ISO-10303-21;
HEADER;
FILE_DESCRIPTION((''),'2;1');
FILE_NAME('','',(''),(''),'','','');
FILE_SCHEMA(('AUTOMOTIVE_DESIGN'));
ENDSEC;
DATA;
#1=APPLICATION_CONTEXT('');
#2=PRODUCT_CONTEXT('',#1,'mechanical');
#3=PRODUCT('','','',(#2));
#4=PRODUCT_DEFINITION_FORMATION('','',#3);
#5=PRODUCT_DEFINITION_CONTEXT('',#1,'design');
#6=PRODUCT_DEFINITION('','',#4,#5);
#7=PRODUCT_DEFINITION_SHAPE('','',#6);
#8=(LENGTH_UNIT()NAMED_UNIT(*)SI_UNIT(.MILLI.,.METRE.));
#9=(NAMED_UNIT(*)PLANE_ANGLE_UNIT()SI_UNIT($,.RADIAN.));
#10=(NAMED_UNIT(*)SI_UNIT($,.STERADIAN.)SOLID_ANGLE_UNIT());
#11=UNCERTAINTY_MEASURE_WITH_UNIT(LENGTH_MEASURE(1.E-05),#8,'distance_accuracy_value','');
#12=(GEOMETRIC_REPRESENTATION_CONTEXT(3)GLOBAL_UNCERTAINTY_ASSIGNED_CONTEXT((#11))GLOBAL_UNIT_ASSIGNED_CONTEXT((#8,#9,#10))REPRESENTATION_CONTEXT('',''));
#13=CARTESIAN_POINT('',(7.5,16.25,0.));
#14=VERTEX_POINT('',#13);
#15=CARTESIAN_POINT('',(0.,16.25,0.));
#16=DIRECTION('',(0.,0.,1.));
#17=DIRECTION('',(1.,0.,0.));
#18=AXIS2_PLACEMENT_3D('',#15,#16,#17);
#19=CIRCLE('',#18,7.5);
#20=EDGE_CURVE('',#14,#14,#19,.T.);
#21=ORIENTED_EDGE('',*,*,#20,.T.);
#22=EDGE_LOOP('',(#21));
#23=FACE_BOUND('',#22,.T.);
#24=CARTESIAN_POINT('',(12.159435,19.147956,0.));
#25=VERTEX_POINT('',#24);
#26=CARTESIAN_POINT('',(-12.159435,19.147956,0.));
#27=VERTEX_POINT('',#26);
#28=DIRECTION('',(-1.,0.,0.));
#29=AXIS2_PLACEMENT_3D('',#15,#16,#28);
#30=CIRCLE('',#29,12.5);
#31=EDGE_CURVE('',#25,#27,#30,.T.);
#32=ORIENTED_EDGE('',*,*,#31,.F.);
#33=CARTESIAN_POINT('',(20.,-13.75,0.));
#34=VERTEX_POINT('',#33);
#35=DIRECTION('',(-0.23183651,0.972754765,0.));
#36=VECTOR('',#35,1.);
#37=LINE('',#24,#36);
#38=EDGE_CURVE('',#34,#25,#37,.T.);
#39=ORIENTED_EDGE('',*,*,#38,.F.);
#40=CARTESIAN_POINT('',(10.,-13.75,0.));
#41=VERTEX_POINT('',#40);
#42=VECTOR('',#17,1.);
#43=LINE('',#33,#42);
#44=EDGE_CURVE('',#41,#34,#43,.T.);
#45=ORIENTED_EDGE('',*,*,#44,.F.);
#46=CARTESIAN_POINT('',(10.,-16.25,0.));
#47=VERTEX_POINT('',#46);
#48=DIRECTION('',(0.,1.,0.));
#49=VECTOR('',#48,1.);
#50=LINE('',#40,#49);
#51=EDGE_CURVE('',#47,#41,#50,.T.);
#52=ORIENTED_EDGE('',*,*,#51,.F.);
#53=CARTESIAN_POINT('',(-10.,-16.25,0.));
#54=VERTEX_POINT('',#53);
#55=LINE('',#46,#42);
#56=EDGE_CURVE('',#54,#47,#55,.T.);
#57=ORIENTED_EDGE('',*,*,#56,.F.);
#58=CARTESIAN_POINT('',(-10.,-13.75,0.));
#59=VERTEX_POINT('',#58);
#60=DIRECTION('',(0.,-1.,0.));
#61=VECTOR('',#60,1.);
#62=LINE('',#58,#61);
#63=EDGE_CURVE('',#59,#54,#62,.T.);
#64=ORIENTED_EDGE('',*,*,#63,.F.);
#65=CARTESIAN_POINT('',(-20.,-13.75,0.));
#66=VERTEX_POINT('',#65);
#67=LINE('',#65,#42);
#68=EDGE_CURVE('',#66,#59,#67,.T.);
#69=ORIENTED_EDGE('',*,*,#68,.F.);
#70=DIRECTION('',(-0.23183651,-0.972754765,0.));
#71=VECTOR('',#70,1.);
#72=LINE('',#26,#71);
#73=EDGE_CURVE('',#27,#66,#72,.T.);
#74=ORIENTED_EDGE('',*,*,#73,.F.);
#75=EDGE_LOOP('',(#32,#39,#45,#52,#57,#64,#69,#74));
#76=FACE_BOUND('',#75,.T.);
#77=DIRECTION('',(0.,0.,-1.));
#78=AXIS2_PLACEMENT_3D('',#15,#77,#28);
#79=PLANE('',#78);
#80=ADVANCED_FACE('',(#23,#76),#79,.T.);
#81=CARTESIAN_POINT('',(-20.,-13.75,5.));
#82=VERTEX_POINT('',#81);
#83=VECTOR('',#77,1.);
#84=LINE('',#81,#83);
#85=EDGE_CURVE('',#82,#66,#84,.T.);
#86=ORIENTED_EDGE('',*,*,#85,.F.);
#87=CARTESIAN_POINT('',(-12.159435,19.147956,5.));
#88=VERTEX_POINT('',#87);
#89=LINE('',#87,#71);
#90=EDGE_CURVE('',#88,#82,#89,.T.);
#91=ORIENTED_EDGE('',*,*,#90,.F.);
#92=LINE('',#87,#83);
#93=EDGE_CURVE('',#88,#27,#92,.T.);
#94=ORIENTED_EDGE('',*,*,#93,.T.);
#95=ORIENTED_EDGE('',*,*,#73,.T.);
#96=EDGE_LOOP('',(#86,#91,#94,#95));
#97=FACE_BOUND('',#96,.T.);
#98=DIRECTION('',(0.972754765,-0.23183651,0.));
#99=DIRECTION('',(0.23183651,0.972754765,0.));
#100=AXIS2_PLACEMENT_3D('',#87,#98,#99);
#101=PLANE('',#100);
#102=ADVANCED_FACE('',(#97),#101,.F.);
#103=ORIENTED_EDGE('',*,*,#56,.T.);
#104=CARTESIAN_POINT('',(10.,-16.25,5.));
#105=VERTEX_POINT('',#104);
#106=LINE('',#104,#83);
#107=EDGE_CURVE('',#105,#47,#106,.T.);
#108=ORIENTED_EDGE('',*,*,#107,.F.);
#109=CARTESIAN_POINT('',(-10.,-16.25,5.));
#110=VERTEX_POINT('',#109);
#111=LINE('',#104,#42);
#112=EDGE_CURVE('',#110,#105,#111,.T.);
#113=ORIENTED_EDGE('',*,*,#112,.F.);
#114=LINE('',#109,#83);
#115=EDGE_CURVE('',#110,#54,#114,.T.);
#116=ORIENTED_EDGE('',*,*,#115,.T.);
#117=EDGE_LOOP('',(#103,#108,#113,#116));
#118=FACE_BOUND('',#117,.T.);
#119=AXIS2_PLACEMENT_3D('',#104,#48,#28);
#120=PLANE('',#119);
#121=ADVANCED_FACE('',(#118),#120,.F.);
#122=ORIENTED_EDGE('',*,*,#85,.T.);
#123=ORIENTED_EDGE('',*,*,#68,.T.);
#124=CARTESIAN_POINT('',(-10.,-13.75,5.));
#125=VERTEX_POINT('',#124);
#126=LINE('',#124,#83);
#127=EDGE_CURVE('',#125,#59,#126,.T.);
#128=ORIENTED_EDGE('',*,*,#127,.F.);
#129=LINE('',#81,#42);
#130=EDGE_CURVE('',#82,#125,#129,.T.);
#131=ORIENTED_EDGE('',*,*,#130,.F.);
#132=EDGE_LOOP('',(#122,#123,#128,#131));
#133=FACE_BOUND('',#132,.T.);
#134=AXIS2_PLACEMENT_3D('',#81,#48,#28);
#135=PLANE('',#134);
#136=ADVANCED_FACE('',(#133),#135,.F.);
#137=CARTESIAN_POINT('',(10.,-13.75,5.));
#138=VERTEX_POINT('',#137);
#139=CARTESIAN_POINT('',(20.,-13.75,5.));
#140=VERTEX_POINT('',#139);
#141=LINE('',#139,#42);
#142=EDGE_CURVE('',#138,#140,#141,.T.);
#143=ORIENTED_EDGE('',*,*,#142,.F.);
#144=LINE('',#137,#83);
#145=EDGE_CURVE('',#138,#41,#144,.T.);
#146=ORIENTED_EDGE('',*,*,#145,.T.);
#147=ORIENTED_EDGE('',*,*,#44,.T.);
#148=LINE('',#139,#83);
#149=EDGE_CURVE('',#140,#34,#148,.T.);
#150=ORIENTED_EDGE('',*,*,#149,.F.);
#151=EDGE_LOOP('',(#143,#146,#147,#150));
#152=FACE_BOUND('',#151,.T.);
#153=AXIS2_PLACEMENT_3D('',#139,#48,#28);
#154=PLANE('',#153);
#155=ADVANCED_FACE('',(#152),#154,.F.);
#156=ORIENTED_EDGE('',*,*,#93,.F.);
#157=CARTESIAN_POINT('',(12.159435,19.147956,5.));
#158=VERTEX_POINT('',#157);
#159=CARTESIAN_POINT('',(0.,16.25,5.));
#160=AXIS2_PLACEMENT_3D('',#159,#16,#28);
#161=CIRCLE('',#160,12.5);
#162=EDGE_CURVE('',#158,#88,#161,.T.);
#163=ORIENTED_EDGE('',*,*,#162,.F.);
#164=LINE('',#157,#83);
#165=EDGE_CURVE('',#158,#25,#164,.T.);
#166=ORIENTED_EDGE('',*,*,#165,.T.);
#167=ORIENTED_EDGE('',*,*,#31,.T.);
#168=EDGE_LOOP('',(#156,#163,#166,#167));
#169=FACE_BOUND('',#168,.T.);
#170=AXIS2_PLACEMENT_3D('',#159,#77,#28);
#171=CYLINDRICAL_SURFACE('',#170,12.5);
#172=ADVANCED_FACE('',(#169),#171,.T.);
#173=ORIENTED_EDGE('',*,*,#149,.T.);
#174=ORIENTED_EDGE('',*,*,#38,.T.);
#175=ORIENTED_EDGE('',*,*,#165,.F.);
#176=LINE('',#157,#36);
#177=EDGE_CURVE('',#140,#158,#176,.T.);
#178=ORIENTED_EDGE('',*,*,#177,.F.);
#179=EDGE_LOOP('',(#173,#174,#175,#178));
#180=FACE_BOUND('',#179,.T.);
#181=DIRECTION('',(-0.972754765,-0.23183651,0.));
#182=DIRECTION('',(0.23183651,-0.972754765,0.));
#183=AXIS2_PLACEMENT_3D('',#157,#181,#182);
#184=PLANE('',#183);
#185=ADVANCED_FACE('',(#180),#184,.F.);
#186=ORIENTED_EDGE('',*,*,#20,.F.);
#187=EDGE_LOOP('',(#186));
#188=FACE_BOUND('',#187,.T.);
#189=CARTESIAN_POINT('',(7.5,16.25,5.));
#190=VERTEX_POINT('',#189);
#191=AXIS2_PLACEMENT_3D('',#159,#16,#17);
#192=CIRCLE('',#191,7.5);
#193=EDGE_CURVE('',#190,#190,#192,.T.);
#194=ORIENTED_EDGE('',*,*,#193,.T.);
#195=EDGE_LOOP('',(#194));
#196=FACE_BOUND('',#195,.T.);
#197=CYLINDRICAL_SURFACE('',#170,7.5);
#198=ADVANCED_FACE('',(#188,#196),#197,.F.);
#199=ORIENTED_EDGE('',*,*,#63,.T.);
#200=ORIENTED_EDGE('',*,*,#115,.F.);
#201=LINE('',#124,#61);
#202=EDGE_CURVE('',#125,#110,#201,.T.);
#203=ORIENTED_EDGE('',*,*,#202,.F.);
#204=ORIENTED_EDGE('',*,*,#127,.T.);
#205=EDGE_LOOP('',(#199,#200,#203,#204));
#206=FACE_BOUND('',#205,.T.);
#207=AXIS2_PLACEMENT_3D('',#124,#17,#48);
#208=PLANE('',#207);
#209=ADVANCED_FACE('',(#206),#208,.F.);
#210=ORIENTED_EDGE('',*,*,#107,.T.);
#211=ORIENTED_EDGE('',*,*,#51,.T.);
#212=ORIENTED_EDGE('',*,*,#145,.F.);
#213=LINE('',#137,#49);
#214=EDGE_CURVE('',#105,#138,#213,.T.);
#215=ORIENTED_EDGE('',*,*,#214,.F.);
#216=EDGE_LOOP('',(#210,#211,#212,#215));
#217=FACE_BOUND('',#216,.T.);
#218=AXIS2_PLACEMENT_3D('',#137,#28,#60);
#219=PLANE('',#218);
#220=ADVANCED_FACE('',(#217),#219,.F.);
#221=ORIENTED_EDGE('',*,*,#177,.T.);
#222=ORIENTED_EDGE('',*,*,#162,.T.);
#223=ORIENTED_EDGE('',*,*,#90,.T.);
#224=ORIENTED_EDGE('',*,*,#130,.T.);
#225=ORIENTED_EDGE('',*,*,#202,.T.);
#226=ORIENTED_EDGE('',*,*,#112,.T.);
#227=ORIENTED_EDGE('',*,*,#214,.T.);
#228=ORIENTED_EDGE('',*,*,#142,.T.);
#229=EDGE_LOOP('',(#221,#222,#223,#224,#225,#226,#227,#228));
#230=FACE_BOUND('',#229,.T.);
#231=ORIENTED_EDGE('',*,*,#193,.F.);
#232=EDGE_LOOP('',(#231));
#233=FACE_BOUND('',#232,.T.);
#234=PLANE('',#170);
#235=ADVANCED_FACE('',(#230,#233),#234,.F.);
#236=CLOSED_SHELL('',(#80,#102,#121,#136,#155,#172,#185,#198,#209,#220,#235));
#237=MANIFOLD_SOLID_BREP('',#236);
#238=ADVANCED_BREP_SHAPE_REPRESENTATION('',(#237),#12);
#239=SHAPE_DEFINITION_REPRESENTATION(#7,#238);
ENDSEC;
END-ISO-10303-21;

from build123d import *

# Parameters (mm, degrees)
SKETCH1_R           = 7.5
BOSS_EXTRUDE1_DEPTH = 5


with BuildPart() as part:
    # Sketch1 → Boss-Extrude1 (new body)
    with BuildSketch(Plane.XY):
        with BuildLine():
            Line((12.159434561, 19.147956374), (20, -13.75))
            Line((20, -13.75), (10, -13.75))
            Line((10, -13.75), (10, -16.25))
            Line((10, -16.25), (-10, -16.25))
            Line((-10, -16.25), (-10, -13.75))
            Line((-10, -13.75), (-20, -13.75))
            Line((-20, -13.75), (-12.159434561, 19.147956374))
            ThreePointArc((-12.159434561, 19.147956374), (0, 28.75), (12.159434561, 19.147956374))
        make_face()
        with Locations((0, 16.25)):
            Circle(SKETCH1_R, mode=Mode.SUBTRACT)
    extrude(amount=BOSS_EXTRUDE1_DEPTH)


solid = part.part
